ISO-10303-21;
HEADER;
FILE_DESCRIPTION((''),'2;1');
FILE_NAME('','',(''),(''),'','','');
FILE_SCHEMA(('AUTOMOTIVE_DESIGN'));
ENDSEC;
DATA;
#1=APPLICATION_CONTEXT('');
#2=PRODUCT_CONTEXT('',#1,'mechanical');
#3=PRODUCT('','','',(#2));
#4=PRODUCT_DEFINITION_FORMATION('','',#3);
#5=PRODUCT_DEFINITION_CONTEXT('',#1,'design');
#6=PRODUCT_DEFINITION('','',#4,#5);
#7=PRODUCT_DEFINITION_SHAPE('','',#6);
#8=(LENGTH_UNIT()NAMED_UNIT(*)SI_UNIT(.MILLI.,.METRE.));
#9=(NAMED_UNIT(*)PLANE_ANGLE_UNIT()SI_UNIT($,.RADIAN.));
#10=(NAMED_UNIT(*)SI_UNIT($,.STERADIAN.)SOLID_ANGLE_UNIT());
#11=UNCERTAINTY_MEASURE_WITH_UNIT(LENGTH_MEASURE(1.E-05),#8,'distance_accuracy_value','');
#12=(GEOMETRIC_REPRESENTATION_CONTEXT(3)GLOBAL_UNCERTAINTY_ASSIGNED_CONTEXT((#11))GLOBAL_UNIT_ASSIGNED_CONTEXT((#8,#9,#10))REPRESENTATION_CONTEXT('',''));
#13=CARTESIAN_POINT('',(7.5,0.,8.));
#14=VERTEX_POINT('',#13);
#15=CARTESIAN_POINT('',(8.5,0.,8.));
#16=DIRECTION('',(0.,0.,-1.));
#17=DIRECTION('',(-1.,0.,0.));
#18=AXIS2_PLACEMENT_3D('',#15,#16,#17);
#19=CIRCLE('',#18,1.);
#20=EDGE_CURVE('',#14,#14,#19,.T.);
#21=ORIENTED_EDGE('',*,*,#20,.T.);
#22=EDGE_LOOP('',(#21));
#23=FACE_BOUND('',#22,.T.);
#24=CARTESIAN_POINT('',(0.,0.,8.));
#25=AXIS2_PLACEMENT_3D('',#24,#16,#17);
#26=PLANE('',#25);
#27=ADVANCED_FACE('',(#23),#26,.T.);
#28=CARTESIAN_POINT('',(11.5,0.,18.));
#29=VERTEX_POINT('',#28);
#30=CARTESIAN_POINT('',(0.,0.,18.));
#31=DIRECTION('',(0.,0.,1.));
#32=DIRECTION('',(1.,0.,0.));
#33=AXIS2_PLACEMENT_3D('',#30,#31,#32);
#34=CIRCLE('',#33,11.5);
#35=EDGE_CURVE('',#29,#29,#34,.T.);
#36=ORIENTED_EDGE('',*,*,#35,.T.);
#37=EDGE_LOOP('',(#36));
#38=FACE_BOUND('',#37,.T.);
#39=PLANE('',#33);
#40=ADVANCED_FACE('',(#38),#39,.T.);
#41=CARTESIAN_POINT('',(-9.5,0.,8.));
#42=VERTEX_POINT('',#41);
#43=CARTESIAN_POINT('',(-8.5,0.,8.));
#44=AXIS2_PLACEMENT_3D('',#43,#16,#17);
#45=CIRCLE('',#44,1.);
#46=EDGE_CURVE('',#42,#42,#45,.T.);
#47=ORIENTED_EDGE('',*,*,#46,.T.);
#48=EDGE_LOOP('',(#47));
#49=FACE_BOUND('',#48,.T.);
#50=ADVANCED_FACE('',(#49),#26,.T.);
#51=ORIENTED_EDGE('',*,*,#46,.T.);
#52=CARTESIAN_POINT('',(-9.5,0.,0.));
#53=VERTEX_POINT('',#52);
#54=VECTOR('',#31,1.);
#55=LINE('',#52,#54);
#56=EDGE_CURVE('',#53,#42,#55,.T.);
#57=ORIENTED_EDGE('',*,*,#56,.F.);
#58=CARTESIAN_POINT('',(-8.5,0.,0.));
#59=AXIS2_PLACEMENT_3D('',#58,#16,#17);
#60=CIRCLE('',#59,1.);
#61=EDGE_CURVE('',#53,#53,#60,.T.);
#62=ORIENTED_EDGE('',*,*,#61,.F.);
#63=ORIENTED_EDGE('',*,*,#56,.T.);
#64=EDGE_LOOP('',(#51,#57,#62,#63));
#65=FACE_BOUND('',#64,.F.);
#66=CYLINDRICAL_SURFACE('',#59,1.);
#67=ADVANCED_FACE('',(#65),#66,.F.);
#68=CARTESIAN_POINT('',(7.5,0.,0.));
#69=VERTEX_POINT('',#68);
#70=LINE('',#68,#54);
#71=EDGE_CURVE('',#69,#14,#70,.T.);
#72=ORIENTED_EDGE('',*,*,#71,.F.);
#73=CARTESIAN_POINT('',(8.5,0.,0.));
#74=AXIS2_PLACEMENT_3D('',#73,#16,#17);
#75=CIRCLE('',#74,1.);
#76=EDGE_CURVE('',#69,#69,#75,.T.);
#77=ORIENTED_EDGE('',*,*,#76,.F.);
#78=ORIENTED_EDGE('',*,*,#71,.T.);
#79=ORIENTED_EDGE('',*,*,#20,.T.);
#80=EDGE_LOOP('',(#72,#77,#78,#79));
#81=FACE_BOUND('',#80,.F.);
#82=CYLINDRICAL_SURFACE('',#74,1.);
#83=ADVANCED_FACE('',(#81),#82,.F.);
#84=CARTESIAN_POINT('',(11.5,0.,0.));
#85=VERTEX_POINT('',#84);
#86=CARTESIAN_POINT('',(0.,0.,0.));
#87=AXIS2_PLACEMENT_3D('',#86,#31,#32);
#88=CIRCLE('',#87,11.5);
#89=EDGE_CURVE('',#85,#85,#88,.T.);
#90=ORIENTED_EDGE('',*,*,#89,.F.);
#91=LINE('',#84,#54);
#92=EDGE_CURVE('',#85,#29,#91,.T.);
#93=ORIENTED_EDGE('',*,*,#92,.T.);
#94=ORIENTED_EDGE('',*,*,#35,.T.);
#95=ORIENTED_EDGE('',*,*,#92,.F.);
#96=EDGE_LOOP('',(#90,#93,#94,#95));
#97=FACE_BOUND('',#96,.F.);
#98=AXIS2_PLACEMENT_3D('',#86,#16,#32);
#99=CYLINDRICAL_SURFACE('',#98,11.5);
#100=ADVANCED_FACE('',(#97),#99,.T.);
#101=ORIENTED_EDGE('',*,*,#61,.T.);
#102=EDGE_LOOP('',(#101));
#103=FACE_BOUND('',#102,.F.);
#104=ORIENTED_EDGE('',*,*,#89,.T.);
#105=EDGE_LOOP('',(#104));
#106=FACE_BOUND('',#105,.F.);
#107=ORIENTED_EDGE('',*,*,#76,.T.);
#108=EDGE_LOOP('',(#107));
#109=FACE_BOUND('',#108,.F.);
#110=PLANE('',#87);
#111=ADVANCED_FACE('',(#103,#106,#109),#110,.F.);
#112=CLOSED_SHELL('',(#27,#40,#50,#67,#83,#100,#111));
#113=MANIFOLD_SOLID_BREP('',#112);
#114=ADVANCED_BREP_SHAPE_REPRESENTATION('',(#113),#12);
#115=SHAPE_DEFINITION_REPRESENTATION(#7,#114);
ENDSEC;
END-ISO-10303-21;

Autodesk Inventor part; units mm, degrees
ref_plane "YZ Plane" through (0, 0, 0) normal (1, 0, 0) x (0, 1, 0)
ref_plane "XZ Plane" through (0, 0, 0) normal (0, 1, 0) x (-1, 0, 0)
ref_plane "XY Plane" through (0, 0, 0) normal (0, 0, 1) x (1, 0, 0)
sketch "Sketch1" plane through (0, 0, 0) normal (0, 0, 1) x (1, 0, 0)
  circle A0 centre (0, 0) radius 11.5
  dimension "d0" = 23
extrude "Extrusion1" add sketch "Sketch1" along normal blind 18
sketch "Sketch2" plane through (0, 0, 0) normal (0, 0, -1) x (-1, 0, 0)
  circle A0 centre (8.5, 0) radius 1
  circle A1 centre (-8.5, 0) radius 1
  point P0 (0, 0)
  dimension "d3" = 2
  dimension "d4" = 8.5
  dimension "d7" = 360
extrude "Extrusion2" cut sketch "Sketch2" against normal blind 8
properties part number "AEAT-6012"
